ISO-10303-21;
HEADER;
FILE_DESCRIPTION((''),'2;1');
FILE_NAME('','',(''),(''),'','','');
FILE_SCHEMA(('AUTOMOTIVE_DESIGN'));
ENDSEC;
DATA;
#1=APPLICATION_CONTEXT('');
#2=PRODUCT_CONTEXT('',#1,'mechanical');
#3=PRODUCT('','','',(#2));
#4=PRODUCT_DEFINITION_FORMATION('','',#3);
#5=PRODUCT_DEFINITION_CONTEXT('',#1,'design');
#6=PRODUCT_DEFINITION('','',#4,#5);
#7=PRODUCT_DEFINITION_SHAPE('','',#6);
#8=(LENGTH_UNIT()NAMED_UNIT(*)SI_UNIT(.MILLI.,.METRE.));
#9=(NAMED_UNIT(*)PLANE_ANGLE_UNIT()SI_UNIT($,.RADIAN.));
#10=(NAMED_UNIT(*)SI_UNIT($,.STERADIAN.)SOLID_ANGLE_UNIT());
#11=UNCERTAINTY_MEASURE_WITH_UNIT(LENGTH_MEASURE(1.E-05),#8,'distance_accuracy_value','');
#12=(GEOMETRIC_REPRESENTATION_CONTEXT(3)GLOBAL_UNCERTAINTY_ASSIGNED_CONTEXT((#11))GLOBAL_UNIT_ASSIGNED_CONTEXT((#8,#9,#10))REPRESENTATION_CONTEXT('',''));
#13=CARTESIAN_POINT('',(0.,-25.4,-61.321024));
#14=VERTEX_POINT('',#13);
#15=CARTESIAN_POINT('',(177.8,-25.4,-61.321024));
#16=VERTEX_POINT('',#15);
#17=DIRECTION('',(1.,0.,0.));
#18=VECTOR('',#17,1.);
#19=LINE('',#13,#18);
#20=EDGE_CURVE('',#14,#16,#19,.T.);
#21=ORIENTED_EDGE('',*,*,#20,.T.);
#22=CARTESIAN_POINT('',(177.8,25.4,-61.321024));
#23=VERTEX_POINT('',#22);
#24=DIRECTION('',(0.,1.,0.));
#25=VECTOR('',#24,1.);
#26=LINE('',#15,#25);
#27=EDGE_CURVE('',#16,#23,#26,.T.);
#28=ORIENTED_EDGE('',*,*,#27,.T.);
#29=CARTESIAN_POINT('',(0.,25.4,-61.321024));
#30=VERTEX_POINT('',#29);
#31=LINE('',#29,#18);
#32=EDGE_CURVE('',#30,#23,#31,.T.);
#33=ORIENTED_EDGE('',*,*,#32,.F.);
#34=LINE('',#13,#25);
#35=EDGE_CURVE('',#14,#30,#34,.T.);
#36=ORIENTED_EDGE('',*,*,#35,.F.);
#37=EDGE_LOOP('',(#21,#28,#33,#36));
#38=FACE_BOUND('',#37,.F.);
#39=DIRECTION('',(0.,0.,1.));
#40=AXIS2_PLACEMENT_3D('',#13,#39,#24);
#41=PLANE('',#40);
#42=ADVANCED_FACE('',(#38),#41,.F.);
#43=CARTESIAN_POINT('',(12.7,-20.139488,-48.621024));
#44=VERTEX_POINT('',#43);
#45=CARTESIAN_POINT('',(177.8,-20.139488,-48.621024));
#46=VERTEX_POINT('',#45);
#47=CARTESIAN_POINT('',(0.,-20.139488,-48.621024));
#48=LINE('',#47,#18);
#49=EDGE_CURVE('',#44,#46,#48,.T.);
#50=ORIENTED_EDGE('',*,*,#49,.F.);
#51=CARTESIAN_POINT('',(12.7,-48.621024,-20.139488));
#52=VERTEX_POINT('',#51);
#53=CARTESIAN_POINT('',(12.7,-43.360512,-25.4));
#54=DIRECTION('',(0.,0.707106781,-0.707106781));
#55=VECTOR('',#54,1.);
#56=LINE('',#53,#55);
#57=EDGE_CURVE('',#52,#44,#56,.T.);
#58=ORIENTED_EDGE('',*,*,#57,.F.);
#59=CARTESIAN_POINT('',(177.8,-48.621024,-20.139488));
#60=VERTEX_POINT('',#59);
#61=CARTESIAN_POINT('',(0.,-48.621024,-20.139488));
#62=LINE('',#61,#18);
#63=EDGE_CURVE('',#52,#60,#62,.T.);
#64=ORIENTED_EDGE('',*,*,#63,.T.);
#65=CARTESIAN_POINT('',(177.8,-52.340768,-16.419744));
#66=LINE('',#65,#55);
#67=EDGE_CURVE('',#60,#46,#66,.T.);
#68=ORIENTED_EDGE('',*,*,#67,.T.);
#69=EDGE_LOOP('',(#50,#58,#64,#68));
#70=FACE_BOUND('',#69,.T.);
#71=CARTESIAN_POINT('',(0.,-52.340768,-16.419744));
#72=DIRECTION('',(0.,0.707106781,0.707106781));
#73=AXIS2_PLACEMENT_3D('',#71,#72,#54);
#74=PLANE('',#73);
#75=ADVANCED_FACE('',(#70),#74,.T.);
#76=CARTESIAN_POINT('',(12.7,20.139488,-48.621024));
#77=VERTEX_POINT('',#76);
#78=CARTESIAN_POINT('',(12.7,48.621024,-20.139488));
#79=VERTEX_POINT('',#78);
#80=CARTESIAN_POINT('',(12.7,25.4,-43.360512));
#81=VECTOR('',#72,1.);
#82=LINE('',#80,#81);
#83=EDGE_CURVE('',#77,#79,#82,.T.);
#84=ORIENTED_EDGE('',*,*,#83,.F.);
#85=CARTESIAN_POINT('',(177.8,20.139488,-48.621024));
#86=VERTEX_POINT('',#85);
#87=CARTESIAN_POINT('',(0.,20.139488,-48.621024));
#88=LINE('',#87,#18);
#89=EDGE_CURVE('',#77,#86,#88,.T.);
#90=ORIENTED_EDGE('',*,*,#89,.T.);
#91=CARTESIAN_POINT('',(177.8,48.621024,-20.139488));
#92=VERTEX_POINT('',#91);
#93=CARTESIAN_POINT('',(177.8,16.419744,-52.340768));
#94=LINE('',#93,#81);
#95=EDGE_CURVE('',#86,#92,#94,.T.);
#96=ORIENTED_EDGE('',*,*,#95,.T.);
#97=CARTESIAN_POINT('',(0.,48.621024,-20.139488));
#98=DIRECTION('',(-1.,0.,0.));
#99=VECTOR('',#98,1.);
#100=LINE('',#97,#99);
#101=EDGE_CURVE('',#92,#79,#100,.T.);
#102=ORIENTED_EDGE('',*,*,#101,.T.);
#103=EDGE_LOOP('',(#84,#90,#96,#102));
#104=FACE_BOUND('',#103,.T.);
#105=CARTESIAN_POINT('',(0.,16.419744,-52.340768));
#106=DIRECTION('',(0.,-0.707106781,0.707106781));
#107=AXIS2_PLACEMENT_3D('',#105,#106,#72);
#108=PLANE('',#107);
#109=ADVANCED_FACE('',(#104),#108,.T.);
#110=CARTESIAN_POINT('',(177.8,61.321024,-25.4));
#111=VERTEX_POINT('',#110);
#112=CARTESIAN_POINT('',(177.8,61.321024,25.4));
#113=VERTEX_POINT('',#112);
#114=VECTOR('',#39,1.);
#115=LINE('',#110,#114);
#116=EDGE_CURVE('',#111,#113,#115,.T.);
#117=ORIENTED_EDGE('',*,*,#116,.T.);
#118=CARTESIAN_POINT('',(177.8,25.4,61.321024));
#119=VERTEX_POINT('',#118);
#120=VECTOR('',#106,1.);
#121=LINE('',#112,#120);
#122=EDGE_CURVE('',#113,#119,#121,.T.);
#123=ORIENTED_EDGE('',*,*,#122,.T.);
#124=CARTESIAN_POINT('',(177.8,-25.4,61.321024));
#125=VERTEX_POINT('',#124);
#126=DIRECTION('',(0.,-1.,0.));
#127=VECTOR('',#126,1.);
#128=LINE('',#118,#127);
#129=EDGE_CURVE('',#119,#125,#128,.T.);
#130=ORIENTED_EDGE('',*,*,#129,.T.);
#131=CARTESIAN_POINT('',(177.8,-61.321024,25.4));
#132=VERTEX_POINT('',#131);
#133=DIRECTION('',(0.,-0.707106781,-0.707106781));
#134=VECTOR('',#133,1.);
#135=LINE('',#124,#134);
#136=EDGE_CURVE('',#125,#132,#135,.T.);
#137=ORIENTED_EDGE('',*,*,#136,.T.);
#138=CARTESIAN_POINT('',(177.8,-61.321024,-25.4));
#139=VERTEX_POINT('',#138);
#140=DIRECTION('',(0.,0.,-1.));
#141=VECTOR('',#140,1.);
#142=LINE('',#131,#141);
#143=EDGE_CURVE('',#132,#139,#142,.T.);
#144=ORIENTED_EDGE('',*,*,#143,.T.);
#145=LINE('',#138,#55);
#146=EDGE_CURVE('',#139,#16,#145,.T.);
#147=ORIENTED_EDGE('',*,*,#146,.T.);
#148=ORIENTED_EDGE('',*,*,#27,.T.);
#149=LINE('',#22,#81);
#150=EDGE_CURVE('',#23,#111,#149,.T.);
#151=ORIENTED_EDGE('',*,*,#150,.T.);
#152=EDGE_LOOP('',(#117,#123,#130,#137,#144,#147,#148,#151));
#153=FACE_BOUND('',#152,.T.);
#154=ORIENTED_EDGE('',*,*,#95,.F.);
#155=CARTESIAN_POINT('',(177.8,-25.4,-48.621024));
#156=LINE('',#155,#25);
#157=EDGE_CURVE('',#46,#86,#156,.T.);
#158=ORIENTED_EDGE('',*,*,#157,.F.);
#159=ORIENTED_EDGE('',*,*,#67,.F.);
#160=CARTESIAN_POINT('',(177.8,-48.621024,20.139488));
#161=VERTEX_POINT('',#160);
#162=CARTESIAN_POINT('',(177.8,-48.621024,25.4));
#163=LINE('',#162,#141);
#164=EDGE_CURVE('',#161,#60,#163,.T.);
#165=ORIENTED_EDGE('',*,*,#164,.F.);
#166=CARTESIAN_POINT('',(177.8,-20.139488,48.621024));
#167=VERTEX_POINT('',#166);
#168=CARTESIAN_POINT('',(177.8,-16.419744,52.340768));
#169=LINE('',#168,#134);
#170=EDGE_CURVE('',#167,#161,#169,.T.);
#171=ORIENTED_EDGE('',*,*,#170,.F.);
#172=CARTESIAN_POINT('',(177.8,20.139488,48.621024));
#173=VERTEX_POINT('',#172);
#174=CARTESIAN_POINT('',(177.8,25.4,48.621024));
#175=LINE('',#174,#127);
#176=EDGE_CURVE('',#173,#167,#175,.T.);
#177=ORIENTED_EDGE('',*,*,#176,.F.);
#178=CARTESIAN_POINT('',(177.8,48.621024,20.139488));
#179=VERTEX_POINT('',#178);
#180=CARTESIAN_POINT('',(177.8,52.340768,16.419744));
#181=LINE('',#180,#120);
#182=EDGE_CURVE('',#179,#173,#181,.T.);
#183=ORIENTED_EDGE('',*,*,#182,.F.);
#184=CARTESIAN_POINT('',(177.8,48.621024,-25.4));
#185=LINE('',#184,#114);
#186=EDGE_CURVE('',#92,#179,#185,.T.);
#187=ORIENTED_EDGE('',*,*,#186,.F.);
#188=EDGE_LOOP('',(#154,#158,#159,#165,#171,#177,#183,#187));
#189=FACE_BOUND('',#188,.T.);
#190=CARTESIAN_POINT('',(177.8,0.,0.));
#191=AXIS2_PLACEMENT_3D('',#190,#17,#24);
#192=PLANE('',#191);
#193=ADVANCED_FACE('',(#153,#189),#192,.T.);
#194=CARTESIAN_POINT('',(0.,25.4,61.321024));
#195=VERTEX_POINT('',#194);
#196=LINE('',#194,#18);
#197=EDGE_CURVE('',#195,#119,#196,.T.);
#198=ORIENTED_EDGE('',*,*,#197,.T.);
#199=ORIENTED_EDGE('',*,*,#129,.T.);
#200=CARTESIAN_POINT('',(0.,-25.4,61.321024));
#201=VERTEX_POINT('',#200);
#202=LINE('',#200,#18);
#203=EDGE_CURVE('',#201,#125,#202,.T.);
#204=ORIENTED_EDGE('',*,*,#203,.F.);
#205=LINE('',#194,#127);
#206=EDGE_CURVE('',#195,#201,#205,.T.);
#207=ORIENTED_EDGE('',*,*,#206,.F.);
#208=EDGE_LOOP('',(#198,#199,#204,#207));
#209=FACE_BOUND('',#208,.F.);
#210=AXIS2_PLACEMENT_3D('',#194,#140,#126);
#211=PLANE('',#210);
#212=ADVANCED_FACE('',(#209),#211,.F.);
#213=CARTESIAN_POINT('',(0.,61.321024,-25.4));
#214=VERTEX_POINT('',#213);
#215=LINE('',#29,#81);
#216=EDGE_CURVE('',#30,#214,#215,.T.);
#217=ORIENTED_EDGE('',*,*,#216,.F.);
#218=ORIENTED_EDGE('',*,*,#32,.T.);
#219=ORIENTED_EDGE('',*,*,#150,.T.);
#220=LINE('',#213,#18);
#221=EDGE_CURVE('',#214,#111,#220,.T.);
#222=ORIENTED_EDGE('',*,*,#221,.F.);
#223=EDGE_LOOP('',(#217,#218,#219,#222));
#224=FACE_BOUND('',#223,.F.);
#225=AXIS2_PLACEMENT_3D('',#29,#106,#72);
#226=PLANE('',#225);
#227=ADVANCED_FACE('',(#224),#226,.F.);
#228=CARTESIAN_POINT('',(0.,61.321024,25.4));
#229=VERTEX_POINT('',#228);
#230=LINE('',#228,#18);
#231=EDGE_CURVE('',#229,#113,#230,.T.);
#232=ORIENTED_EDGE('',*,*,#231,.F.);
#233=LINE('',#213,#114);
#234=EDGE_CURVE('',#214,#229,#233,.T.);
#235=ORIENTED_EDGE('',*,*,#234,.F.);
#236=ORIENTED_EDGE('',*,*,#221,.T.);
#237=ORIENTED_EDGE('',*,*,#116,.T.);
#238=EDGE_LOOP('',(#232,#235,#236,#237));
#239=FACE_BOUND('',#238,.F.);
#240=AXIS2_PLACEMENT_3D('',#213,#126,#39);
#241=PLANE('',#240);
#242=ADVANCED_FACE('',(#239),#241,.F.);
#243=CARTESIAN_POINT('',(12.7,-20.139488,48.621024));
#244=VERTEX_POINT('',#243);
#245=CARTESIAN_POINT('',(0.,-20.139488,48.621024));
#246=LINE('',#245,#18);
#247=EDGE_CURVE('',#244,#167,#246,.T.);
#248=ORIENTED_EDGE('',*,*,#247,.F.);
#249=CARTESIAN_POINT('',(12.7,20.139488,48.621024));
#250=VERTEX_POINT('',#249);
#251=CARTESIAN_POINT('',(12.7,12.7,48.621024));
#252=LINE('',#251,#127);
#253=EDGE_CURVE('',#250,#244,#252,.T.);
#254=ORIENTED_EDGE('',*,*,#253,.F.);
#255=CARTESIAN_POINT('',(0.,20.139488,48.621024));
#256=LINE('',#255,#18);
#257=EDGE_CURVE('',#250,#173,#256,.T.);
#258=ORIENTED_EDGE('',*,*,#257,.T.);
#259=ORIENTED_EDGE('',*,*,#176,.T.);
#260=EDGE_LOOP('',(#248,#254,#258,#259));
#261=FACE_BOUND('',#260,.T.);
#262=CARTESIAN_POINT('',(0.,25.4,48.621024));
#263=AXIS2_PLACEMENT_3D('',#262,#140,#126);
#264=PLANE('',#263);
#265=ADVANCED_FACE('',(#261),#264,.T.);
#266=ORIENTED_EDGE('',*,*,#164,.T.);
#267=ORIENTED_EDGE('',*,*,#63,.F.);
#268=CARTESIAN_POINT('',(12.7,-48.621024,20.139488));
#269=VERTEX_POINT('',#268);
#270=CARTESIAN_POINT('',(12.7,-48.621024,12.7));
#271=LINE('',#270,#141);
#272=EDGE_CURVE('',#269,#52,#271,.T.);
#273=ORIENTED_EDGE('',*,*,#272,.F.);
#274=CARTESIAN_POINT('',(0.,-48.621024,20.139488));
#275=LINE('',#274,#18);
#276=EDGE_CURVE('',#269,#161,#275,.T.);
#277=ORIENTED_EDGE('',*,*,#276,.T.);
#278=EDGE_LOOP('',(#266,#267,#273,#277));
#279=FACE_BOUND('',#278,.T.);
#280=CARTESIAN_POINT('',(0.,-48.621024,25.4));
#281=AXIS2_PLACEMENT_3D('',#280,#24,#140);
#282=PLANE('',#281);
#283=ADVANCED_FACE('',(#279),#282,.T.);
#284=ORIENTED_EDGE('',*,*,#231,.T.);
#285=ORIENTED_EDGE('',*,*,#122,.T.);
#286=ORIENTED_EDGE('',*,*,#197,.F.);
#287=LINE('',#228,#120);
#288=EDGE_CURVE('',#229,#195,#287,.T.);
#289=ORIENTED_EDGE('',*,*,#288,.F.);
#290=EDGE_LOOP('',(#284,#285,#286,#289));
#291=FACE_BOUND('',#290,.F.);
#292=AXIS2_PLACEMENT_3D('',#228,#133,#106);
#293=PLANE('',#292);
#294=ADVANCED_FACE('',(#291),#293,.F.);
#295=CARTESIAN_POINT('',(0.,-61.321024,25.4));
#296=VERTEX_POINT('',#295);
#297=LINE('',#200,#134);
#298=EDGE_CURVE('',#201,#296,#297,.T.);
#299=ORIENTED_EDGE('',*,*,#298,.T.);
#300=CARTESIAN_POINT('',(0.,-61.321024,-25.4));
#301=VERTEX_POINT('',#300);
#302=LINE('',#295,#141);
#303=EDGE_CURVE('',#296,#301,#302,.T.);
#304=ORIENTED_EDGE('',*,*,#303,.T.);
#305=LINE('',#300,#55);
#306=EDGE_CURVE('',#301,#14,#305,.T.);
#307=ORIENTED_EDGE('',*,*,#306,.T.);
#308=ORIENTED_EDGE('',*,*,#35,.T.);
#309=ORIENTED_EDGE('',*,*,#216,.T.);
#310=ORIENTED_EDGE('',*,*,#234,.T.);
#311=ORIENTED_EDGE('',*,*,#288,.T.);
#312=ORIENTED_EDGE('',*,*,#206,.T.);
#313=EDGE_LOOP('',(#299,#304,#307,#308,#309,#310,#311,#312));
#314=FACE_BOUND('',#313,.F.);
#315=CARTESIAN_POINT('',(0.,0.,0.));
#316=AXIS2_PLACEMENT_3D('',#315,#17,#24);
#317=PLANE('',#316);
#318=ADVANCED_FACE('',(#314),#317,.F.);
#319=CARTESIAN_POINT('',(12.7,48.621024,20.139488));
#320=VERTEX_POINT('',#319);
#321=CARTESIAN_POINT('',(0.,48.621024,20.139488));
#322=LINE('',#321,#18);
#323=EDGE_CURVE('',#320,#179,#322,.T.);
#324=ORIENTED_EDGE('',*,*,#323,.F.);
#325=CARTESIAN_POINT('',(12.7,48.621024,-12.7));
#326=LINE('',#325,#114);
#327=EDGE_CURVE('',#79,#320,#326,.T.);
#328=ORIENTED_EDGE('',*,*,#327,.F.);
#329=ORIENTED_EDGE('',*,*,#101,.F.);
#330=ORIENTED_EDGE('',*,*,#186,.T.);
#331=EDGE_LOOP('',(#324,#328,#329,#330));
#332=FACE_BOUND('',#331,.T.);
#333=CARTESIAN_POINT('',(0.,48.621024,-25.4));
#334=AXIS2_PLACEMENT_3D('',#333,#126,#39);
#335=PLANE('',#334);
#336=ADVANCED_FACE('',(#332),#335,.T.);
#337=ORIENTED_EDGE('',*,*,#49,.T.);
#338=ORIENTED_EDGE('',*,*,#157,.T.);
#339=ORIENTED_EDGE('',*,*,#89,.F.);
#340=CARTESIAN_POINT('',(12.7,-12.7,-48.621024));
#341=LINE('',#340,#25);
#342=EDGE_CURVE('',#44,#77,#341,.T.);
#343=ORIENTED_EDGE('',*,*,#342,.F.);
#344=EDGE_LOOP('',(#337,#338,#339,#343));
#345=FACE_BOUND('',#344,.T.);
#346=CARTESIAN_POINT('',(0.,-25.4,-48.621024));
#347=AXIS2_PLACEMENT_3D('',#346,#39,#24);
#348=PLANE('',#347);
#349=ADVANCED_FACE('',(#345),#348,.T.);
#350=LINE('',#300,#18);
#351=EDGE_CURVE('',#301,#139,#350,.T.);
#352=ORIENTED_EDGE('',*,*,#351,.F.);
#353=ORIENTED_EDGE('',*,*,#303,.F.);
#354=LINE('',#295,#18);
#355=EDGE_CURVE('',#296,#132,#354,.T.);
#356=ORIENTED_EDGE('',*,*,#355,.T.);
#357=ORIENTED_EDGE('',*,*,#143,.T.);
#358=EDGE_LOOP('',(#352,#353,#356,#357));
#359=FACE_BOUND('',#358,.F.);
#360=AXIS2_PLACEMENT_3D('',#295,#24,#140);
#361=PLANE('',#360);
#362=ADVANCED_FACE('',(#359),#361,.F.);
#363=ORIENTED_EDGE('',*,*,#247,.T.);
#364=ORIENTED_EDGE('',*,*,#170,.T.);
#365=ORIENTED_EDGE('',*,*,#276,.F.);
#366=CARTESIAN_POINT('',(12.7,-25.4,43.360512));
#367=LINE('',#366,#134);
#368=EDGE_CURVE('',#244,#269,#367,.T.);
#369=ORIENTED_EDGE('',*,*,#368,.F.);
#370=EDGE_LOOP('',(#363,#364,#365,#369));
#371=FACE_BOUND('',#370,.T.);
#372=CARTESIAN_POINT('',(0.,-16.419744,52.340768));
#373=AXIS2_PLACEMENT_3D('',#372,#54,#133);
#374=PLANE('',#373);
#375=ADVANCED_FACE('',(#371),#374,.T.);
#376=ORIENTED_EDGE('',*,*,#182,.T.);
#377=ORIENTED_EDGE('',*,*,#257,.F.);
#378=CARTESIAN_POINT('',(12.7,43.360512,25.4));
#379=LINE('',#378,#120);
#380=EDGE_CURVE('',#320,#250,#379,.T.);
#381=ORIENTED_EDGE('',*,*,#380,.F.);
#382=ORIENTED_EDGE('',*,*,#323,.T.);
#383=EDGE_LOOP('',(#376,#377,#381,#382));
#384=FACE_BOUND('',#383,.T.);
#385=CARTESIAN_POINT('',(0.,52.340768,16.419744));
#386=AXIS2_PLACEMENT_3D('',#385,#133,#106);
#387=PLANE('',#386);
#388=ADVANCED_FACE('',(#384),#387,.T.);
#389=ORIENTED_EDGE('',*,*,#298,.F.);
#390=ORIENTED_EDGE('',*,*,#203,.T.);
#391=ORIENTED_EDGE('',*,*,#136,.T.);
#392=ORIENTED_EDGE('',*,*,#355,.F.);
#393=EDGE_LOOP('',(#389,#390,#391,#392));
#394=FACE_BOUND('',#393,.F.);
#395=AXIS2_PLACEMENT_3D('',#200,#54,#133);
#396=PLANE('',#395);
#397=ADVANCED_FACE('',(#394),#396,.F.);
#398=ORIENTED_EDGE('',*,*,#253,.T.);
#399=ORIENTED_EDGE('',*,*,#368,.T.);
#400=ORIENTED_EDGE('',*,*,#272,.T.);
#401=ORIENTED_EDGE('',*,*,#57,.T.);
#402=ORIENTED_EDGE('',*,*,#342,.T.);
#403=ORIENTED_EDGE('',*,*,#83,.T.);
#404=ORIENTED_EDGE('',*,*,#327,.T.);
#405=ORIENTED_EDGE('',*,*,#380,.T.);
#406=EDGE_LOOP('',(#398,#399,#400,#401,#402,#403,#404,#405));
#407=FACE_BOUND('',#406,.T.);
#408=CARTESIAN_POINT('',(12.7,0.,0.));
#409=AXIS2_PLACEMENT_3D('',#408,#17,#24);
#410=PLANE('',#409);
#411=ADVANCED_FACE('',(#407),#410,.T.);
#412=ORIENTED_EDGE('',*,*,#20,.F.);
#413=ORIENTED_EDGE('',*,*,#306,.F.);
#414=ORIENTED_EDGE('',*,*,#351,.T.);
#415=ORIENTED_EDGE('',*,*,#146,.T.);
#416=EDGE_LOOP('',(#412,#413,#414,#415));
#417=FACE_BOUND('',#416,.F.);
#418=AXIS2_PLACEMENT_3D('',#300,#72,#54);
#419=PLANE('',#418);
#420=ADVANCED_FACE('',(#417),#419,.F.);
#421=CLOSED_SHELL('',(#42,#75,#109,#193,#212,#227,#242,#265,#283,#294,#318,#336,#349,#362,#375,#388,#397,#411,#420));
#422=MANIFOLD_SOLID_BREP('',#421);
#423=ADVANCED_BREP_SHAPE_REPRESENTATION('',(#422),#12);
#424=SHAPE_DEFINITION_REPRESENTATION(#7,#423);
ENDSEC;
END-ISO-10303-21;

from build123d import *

# Parameters (mm, degrees)
F1_DEPTH = 177.8
F2_T     = -12.7


with BuildPart() as f1:
    # F0 (on Right) → F1 (new body)
    with BuildSketch(Plane.YZ):
        Polygon((61.321024, -25.4), (61.321024, 25.4), (25.4, 61.321024), (-25.4, 61.321024), (-61.321024, 25.4), (-61.321024, -25.4), (-25.4, -61.321024), (25.4, -61.321024), align=None)
    extrude(amount=F1_DEPTH)

    # F2
    f2_openings = [f1.faces().sort_by_distance(p)[0] for p in [
        (177.8, 0, 0),
    ]]
    offset(amount=F2_T, openings=f2_openings)


solid = f1.part
